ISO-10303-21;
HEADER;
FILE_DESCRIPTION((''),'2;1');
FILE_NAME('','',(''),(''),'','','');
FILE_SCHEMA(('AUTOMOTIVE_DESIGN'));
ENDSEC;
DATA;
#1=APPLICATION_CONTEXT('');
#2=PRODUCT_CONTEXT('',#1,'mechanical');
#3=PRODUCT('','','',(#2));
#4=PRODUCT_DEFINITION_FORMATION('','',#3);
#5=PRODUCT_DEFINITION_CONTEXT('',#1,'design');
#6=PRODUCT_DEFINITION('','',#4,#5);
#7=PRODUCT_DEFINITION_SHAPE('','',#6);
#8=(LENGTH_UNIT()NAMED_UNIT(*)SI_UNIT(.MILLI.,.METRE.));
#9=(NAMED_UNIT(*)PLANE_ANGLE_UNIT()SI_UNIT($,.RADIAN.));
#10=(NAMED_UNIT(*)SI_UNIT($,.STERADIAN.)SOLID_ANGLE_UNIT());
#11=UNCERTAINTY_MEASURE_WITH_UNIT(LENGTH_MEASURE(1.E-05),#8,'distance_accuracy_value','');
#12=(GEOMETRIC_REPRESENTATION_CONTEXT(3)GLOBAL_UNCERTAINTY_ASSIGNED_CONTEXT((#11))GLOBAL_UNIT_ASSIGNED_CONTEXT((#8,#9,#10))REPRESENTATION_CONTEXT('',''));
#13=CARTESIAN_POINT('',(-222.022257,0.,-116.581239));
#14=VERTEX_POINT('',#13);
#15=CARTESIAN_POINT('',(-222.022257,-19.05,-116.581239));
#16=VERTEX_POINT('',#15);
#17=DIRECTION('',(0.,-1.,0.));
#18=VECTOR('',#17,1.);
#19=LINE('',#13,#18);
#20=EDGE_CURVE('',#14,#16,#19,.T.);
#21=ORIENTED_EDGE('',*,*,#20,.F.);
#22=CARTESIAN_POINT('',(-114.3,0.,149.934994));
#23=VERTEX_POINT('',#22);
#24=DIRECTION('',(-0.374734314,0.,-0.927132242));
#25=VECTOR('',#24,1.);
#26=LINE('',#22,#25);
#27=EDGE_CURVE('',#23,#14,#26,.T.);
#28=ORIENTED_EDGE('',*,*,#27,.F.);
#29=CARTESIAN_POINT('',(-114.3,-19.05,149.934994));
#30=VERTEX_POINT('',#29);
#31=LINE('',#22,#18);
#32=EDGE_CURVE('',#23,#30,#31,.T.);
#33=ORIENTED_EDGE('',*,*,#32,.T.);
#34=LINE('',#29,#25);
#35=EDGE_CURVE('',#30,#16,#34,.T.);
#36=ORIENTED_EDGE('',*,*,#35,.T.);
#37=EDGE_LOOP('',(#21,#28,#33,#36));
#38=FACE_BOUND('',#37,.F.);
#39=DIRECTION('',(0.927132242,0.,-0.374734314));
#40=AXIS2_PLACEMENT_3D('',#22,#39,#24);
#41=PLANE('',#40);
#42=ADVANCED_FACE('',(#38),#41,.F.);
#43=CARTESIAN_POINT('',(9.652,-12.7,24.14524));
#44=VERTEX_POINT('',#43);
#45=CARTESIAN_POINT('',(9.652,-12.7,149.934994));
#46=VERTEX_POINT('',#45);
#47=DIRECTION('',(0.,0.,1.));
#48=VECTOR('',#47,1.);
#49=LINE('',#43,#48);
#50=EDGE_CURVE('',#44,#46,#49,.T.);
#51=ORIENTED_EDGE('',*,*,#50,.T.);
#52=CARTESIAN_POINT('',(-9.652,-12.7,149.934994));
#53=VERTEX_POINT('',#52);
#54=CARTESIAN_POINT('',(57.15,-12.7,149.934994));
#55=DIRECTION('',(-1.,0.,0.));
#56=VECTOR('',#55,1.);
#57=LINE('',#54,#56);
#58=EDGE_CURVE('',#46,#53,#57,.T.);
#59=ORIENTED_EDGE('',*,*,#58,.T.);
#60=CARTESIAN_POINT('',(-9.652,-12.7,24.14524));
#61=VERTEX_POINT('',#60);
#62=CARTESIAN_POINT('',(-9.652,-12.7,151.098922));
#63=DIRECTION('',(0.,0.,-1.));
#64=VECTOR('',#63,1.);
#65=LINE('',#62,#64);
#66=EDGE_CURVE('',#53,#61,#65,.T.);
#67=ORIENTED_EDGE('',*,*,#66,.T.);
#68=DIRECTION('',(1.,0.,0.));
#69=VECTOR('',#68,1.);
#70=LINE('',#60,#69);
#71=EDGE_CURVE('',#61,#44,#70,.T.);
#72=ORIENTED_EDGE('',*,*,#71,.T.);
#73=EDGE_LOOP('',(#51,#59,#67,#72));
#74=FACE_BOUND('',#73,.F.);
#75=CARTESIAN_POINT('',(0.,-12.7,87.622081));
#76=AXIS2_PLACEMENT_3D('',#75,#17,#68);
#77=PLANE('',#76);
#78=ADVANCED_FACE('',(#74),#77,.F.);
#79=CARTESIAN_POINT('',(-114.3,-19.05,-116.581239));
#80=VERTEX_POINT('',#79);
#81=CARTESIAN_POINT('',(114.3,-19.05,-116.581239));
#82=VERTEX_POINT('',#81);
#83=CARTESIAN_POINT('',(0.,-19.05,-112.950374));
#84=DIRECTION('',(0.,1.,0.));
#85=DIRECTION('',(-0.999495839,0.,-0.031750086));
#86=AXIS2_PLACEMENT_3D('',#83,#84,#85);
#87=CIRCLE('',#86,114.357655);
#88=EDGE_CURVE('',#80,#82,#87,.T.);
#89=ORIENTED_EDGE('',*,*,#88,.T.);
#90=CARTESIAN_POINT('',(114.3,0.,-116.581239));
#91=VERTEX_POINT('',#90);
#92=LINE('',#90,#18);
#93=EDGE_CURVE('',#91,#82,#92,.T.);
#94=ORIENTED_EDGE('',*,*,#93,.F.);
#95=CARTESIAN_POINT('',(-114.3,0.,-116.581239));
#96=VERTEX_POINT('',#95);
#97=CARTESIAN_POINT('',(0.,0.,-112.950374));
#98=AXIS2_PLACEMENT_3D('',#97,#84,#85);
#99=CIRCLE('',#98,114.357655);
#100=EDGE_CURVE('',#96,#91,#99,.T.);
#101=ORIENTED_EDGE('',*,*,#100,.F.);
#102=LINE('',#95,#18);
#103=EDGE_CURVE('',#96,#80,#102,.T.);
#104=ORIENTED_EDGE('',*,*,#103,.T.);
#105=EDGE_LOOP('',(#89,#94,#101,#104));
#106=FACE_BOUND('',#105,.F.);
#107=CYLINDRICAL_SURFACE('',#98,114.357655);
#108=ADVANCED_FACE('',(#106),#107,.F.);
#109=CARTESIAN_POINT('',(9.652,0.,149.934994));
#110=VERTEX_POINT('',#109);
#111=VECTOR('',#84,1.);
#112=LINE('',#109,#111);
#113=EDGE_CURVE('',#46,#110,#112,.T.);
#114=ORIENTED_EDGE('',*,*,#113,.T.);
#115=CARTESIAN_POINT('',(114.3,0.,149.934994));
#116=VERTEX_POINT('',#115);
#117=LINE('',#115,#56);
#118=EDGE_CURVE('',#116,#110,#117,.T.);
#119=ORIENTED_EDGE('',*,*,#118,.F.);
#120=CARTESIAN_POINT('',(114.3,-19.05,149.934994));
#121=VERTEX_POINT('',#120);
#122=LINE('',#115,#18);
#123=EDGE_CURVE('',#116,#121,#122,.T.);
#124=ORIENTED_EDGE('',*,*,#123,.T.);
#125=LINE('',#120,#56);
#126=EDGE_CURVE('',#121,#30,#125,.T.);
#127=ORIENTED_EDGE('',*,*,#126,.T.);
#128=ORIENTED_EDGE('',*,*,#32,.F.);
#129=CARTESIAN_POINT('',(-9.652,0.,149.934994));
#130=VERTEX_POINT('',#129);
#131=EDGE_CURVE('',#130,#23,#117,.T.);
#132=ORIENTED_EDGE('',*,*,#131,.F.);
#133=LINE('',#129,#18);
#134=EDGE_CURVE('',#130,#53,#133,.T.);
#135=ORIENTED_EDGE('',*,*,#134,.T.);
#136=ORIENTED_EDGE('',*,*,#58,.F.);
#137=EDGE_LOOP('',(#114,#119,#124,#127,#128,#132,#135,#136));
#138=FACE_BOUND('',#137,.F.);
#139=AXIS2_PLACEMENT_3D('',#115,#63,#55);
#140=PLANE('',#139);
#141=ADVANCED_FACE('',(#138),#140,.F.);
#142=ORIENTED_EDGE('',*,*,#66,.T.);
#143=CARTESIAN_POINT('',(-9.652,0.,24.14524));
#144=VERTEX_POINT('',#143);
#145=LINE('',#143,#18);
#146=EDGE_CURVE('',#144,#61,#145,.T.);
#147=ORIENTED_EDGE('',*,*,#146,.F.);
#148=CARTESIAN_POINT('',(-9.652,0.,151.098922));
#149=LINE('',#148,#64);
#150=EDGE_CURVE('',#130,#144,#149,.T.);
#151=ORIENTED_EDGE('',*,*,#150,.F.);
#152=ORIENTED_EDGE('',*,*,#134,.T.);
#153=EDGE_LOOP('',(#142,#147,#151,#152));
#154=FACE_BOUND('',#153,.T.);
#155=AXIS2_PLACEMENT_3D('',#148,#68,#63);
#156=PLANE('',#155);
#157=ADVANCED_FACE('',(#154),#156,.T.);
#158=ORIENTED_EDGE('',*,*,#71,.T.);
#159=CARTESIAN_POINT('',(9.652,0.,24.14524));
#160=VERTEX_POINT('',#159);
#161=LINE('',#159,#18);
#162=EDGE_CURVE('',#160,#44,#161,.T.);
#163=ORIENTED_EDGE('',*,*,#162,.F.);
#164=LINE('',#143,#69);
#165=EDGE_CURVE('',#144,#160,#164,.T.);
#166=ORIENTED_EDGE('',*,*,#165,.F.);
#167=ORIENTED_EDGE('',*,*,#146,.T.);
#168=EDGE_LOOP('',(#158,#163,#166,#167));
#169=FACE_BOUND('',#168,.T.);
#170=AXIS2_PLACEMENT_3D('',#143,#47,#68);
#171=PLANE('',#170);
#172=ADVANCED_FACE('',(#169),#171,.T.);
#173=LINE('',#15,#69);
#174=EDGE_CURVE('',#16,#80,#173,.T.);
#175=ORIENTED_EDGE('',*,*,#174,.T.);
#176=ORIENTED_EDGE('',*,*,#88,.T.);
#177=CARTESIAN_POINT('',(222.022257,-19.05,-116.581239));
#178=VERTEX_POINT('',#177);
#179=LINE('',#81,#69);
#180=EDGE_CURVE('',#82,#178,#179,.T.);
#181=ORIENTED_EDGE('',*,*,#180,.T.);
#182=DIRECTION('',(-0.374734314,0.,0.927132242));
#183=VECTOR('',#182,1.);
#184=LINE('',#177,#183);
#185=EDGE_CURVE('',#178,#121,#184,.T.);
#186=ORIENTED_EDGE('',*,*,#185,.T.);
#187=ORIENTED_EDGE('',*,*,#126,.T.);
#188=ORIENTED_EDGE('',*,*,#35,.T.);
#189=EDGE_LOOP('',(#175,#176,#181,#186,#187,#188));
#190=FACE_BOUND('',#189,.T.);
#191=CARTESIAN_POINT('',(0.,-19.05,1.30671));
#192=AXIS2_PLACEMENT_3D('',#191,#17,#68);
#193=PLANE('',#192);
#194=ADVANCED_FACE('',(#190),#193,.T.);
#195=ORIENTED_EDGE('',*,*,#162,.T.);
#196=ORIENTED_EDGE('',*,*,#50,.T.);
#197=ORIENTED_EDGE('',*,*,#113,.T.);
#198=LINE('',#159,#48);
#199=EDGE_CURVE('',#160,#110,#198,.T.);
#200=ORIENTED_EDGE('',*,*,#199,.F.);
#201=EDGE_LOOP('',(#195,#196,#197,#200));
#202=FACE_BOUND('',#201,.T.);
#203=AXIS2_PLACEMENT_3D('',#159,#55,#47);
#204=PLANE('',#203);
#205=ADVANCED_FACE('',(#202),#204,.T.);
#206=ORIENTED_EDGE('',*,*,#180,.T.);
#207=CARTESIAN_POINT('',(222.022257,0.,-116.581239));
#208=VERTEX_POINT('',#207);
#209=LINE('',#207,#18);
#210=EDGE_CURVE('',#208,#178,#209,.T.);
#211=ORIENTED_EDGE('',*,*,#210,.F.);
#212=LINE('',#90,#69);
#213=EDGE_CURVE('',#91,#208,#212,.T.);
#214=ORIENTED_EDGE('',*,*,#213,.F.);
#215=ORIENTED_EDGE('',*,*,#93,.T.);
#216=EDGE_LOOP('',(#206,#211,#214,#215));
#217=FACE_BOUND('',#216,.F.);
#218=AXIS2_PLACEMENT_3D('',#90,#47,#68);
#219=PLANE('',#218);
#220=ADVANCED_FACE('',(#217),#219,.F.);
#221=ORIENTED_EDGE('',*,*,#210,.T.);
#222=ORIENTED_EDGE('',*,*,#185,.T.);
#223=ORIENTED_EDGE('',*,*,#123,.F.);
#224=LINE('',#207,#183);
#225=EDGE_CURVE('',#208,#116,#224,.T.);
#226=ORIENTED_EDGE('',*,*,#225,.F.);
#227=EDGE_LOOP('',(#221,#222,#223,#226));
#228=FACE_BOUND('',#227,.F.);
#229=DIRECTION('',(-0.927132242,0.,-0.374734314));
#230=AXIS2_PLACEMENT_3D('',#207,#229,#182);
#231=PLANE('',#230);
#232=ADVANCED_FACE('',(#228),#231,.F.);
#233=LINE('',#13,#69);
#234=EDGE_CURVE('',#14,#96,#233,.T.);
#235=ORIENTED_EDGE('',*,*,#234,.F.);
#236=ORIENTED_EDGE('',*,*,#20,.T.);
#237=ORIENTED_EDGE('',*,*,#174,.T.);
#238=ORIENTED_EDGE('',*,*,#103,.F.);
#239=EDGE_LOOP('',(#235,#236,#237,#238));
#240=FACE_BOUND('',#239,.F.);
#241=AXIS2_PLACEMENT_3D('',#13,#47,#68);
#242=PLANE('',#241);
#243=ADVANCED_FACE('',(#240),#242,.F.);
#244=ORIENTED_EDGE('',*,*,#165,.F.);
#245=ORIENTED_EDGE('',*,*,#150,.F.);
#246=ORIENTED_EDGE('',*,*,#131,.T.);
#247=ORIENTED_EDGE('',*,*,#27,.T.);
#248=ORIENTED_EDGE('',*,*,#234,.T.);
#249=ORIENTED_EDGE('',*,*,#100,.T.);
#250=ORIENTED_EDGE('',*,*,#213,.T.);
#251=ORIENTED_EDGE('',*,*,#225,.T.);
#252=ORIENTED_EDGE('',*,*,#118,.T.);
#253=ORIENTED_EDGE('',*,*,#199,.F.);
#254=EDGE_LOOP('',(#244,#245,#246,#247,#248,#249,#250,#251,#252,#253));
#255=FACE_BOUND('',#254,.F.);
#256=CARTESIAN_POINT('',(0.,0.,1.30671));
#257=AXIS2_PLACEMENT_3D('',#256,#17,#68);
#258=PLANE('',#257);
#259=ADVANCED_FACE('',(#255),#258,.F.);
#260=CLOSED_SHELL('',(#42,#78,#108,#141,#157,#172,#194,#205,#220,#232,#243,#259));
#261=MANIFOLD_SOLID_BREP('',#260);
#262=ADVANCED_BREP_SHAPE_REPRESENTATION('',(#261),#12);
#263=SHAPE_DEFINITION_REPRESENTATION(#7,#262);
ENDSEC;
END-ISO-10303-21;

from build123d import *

# Parameters (mm, degrees)
F1_DEPTH = 19.05
F3_DEPTH = 12.7


with BuildPart() as f1:
    # F0 (on Front) → F1 (new body)
    with BuildSketch(Plane.XZ):
        with BuildLine():
            Line((114.3, 149.934994), (0, 149.934994))
            Line((0, 149.934994), (-114.3, 149.934994))
            Line((-114.3, 149.934994), (-222.022257, -116.581239))
            Line((-222.022257, -116.581239), (-114.3, -116.581239))
            ThreePointArc((-114.3, -116.581239), (0, 1.407281), (114.3, -116.581239))
            Line((114.3, -116.581239), (222.022257, -116.581239))
            Line((222.022257, -116.581239), (114.3, 149.934994))
        make_face()
    extrude(amount=F1_DEPTH)

    # F2 (on Front) → F3 (cut)
    with BuildSketch(Plane.XZ):
        Polygon((-9.652, 24.14524), (0, 24.14524), (9.652, 24.14524), (9.652, 151.098922), (0, 151.098922), (-9.652, 151.098922), align=None)
    extrude(amount=F3_DEPTH, mode=Mode.SUBTRACT)


solid = f1.part
